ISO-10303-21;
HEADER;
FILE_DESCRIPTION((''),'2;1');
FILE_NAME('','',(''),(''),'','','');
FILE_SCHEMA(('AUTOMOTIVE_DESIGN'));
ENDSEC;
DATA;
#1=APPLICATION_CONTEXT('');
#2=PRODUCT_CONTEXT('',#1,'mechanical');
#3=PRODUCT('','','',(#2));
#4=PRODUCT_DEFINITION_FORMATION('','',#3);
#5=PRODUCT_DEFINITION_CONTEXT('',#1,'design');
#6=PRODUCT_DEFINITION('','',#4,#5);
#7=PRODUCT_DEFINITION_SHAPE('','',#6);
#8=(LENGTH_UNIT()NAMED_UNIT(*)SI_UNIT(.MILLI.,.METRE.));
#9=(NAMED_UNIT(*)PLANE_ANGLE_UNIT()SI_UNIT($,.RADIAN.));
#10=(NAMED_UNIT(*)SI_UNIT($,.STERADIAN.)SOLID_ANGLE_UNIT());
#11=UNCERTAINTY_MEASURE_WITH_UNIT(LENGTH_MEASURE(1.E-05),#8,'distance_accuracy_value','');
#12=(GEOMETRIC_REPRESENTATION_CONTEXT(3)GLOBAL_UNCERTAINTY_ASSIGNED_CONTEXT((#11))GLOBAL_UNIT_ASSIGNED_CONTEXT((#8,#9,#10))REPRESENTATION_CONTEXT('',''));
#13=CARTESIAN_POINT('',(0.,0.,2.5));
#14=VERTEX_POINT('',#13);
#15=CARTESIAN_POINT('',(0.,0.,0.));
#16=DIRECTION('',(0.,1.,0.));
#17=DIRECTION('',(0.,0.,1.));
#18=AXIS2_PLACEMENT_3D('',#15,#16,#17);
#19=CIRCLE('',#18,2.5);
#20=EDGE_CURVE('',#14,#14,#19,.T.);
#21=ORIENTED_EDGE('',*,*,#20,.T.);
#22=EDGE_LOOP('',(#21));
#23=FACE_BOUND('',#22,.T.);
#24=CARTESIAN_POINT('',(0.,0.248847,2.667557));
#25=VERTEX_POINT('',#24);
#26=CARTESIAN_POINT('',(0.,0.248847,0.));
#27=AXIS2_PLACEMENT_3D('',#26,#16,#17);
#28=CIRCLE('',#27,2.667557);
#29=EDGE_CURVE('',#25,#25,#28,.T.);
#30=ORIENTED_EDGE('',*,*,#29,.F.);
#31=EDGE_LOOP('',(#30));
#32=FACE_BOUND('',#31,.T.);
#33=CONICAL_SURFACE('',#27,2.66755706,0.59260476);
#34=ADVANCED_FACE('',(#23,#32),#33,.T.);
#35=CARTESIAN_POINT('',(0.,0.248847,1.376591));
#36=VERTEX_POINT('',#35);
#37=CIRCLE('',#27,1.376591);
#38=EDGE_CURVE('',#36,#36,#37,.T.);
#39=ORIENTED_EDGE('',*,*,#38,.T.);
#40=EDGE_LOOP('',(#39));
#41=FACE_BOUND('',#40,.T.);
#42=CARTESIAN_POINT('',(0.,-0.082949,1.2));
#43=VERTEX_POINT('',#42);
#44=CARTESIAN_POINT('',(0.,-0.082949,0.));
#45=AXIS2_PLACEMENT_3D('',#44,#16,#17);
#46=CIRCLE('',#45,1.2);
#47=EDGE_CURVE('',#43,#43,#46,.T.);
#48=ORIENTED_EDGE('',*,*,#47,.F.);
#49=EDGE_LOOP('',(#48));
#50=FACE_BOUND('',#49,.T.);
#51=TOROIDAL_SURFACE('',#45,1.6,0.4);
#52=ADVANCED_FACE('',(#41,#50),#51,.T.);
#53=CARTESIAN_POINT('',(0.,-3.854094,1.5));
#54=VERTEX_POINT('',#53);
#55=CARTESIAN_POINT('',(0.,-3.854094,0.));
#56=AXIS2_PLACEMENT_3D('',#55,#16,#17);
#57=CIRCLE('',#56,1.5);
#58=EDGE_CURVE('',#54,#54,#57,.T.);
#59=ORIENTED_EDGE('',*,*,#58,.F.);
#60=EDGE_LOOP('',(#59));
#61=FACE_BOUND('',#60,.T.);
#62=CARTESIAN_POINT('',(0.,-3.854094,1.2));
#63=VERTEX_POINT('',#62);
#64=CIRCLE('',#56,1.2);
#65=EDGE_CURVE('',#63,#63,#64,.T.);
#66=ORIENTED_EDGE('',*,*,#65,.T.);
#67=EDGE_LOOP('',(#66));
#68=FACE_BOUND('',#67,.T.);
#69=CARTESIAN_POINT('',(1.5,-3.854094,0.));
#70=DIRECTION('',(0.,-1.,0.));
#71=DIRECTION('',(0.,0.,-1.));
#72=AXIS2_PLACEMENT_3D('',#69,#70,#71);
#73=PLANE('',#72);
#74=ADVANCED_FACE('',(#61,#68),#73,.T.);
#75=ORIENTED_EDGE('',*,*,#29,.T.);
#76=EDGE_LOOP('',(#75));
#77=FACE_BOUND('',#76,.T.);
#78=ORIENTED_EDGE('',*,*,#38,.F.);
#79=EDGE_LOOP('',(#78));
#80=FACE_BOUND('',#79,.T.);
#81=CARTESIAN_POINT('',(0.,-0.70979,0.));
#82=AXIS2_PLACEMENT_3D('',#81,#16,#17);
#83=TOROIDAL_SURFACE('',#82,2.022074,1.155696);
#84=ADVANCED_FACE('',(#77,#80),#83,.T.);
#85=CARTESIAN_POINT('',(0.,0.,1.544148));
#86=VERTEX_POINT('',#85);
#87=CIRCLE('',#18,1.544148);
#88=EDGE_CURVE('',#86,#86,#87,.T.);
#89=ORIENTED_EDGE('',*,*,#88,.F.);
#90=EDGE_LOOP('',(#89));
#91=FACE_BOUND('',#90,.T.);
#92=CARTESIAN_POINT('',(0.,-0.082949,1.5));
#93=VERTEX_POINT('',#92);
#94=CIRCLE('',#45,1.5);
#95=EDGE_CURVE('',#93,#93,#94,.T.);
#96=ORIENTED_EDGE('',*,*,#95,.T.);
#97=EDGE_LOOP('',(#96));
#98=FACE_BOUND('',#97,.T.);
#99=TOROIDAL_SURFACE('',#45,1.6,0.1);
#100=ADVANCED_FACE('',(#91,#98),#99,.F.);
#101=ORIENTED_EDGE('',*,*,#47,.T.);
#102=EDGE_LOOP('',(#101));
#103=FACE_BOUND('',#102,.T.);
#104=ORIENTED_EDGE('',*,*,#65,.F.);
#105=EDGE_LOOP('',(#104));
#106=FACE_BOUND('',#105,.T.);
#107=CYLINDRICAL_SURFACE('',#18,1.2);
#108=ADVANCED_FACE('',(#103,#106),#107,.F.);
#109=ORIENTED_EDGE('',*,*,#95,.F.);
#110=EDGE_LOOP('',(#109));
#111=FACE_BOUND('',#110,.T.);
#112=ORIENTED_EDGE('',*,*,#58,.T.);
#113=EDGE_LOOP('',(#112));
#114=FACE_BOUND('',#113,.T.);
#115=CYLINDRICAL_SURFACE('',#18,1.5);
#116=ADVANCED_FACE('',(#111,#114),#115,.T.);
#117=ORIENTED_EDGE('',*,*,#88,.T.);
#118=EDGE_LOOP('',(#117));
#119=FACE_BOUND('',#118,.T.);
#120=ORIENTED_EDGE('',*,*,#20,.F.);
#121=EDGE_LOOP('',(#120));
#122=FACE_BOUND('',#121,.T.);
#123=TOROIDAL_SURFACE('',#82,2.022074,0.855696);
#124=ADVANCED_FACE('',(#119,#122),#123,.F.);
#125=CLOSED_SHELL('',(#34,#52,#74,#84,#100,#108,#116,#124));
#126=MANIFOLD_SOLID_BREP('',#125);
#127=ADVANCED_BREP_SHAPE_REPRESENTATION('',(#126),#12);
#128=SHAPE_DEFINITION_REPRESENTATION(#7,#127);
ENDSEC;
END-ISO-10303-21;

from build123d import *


with BuildPart() as part:
    # Esquisse2 → Révol.-Mince1 (revolve)
    with BuildSketch(Plane.XY, mode=Mode.PRIVATE) as r_vol_mince1_sk:
        with BuildLine():
            Line((1.5, -3.854094195), (1.5, -0.082948868))
            ThreePointArc((1.5, -0.082948868), (1.511724195, -0.03596608), (1.544147647, 0))
            ThreePointArc((1.544147647, 0), (2.022073823, 0.145905805), (2.5, 0))
            Line((2.5, 0), (2.66755706, 0.248846603))
            ThreePointArc((2.66755706, 0.248846603), (2.022073823, 0.445905805), (1.376590587, 0.248846603))
            ThreePointArc((1.376590587, 0.248846603), (1.246896782, 0.104982283), (1.2, -0.082948868))
            Line((1.2, -0.082948868), (1.2, -3.854094195))
            Line((1.2, -3.854094195), (1.5, -3.854094195))
        make_face()
    revolve(r_vol_mince1_sk.sketch.rotate(Axis((0, 0, 0), (0, -1, 0)), 90), axis=Axis((0, 0, 0), (0, -1, 0)))  # turned: the seam where the file's is


solid = part.part
